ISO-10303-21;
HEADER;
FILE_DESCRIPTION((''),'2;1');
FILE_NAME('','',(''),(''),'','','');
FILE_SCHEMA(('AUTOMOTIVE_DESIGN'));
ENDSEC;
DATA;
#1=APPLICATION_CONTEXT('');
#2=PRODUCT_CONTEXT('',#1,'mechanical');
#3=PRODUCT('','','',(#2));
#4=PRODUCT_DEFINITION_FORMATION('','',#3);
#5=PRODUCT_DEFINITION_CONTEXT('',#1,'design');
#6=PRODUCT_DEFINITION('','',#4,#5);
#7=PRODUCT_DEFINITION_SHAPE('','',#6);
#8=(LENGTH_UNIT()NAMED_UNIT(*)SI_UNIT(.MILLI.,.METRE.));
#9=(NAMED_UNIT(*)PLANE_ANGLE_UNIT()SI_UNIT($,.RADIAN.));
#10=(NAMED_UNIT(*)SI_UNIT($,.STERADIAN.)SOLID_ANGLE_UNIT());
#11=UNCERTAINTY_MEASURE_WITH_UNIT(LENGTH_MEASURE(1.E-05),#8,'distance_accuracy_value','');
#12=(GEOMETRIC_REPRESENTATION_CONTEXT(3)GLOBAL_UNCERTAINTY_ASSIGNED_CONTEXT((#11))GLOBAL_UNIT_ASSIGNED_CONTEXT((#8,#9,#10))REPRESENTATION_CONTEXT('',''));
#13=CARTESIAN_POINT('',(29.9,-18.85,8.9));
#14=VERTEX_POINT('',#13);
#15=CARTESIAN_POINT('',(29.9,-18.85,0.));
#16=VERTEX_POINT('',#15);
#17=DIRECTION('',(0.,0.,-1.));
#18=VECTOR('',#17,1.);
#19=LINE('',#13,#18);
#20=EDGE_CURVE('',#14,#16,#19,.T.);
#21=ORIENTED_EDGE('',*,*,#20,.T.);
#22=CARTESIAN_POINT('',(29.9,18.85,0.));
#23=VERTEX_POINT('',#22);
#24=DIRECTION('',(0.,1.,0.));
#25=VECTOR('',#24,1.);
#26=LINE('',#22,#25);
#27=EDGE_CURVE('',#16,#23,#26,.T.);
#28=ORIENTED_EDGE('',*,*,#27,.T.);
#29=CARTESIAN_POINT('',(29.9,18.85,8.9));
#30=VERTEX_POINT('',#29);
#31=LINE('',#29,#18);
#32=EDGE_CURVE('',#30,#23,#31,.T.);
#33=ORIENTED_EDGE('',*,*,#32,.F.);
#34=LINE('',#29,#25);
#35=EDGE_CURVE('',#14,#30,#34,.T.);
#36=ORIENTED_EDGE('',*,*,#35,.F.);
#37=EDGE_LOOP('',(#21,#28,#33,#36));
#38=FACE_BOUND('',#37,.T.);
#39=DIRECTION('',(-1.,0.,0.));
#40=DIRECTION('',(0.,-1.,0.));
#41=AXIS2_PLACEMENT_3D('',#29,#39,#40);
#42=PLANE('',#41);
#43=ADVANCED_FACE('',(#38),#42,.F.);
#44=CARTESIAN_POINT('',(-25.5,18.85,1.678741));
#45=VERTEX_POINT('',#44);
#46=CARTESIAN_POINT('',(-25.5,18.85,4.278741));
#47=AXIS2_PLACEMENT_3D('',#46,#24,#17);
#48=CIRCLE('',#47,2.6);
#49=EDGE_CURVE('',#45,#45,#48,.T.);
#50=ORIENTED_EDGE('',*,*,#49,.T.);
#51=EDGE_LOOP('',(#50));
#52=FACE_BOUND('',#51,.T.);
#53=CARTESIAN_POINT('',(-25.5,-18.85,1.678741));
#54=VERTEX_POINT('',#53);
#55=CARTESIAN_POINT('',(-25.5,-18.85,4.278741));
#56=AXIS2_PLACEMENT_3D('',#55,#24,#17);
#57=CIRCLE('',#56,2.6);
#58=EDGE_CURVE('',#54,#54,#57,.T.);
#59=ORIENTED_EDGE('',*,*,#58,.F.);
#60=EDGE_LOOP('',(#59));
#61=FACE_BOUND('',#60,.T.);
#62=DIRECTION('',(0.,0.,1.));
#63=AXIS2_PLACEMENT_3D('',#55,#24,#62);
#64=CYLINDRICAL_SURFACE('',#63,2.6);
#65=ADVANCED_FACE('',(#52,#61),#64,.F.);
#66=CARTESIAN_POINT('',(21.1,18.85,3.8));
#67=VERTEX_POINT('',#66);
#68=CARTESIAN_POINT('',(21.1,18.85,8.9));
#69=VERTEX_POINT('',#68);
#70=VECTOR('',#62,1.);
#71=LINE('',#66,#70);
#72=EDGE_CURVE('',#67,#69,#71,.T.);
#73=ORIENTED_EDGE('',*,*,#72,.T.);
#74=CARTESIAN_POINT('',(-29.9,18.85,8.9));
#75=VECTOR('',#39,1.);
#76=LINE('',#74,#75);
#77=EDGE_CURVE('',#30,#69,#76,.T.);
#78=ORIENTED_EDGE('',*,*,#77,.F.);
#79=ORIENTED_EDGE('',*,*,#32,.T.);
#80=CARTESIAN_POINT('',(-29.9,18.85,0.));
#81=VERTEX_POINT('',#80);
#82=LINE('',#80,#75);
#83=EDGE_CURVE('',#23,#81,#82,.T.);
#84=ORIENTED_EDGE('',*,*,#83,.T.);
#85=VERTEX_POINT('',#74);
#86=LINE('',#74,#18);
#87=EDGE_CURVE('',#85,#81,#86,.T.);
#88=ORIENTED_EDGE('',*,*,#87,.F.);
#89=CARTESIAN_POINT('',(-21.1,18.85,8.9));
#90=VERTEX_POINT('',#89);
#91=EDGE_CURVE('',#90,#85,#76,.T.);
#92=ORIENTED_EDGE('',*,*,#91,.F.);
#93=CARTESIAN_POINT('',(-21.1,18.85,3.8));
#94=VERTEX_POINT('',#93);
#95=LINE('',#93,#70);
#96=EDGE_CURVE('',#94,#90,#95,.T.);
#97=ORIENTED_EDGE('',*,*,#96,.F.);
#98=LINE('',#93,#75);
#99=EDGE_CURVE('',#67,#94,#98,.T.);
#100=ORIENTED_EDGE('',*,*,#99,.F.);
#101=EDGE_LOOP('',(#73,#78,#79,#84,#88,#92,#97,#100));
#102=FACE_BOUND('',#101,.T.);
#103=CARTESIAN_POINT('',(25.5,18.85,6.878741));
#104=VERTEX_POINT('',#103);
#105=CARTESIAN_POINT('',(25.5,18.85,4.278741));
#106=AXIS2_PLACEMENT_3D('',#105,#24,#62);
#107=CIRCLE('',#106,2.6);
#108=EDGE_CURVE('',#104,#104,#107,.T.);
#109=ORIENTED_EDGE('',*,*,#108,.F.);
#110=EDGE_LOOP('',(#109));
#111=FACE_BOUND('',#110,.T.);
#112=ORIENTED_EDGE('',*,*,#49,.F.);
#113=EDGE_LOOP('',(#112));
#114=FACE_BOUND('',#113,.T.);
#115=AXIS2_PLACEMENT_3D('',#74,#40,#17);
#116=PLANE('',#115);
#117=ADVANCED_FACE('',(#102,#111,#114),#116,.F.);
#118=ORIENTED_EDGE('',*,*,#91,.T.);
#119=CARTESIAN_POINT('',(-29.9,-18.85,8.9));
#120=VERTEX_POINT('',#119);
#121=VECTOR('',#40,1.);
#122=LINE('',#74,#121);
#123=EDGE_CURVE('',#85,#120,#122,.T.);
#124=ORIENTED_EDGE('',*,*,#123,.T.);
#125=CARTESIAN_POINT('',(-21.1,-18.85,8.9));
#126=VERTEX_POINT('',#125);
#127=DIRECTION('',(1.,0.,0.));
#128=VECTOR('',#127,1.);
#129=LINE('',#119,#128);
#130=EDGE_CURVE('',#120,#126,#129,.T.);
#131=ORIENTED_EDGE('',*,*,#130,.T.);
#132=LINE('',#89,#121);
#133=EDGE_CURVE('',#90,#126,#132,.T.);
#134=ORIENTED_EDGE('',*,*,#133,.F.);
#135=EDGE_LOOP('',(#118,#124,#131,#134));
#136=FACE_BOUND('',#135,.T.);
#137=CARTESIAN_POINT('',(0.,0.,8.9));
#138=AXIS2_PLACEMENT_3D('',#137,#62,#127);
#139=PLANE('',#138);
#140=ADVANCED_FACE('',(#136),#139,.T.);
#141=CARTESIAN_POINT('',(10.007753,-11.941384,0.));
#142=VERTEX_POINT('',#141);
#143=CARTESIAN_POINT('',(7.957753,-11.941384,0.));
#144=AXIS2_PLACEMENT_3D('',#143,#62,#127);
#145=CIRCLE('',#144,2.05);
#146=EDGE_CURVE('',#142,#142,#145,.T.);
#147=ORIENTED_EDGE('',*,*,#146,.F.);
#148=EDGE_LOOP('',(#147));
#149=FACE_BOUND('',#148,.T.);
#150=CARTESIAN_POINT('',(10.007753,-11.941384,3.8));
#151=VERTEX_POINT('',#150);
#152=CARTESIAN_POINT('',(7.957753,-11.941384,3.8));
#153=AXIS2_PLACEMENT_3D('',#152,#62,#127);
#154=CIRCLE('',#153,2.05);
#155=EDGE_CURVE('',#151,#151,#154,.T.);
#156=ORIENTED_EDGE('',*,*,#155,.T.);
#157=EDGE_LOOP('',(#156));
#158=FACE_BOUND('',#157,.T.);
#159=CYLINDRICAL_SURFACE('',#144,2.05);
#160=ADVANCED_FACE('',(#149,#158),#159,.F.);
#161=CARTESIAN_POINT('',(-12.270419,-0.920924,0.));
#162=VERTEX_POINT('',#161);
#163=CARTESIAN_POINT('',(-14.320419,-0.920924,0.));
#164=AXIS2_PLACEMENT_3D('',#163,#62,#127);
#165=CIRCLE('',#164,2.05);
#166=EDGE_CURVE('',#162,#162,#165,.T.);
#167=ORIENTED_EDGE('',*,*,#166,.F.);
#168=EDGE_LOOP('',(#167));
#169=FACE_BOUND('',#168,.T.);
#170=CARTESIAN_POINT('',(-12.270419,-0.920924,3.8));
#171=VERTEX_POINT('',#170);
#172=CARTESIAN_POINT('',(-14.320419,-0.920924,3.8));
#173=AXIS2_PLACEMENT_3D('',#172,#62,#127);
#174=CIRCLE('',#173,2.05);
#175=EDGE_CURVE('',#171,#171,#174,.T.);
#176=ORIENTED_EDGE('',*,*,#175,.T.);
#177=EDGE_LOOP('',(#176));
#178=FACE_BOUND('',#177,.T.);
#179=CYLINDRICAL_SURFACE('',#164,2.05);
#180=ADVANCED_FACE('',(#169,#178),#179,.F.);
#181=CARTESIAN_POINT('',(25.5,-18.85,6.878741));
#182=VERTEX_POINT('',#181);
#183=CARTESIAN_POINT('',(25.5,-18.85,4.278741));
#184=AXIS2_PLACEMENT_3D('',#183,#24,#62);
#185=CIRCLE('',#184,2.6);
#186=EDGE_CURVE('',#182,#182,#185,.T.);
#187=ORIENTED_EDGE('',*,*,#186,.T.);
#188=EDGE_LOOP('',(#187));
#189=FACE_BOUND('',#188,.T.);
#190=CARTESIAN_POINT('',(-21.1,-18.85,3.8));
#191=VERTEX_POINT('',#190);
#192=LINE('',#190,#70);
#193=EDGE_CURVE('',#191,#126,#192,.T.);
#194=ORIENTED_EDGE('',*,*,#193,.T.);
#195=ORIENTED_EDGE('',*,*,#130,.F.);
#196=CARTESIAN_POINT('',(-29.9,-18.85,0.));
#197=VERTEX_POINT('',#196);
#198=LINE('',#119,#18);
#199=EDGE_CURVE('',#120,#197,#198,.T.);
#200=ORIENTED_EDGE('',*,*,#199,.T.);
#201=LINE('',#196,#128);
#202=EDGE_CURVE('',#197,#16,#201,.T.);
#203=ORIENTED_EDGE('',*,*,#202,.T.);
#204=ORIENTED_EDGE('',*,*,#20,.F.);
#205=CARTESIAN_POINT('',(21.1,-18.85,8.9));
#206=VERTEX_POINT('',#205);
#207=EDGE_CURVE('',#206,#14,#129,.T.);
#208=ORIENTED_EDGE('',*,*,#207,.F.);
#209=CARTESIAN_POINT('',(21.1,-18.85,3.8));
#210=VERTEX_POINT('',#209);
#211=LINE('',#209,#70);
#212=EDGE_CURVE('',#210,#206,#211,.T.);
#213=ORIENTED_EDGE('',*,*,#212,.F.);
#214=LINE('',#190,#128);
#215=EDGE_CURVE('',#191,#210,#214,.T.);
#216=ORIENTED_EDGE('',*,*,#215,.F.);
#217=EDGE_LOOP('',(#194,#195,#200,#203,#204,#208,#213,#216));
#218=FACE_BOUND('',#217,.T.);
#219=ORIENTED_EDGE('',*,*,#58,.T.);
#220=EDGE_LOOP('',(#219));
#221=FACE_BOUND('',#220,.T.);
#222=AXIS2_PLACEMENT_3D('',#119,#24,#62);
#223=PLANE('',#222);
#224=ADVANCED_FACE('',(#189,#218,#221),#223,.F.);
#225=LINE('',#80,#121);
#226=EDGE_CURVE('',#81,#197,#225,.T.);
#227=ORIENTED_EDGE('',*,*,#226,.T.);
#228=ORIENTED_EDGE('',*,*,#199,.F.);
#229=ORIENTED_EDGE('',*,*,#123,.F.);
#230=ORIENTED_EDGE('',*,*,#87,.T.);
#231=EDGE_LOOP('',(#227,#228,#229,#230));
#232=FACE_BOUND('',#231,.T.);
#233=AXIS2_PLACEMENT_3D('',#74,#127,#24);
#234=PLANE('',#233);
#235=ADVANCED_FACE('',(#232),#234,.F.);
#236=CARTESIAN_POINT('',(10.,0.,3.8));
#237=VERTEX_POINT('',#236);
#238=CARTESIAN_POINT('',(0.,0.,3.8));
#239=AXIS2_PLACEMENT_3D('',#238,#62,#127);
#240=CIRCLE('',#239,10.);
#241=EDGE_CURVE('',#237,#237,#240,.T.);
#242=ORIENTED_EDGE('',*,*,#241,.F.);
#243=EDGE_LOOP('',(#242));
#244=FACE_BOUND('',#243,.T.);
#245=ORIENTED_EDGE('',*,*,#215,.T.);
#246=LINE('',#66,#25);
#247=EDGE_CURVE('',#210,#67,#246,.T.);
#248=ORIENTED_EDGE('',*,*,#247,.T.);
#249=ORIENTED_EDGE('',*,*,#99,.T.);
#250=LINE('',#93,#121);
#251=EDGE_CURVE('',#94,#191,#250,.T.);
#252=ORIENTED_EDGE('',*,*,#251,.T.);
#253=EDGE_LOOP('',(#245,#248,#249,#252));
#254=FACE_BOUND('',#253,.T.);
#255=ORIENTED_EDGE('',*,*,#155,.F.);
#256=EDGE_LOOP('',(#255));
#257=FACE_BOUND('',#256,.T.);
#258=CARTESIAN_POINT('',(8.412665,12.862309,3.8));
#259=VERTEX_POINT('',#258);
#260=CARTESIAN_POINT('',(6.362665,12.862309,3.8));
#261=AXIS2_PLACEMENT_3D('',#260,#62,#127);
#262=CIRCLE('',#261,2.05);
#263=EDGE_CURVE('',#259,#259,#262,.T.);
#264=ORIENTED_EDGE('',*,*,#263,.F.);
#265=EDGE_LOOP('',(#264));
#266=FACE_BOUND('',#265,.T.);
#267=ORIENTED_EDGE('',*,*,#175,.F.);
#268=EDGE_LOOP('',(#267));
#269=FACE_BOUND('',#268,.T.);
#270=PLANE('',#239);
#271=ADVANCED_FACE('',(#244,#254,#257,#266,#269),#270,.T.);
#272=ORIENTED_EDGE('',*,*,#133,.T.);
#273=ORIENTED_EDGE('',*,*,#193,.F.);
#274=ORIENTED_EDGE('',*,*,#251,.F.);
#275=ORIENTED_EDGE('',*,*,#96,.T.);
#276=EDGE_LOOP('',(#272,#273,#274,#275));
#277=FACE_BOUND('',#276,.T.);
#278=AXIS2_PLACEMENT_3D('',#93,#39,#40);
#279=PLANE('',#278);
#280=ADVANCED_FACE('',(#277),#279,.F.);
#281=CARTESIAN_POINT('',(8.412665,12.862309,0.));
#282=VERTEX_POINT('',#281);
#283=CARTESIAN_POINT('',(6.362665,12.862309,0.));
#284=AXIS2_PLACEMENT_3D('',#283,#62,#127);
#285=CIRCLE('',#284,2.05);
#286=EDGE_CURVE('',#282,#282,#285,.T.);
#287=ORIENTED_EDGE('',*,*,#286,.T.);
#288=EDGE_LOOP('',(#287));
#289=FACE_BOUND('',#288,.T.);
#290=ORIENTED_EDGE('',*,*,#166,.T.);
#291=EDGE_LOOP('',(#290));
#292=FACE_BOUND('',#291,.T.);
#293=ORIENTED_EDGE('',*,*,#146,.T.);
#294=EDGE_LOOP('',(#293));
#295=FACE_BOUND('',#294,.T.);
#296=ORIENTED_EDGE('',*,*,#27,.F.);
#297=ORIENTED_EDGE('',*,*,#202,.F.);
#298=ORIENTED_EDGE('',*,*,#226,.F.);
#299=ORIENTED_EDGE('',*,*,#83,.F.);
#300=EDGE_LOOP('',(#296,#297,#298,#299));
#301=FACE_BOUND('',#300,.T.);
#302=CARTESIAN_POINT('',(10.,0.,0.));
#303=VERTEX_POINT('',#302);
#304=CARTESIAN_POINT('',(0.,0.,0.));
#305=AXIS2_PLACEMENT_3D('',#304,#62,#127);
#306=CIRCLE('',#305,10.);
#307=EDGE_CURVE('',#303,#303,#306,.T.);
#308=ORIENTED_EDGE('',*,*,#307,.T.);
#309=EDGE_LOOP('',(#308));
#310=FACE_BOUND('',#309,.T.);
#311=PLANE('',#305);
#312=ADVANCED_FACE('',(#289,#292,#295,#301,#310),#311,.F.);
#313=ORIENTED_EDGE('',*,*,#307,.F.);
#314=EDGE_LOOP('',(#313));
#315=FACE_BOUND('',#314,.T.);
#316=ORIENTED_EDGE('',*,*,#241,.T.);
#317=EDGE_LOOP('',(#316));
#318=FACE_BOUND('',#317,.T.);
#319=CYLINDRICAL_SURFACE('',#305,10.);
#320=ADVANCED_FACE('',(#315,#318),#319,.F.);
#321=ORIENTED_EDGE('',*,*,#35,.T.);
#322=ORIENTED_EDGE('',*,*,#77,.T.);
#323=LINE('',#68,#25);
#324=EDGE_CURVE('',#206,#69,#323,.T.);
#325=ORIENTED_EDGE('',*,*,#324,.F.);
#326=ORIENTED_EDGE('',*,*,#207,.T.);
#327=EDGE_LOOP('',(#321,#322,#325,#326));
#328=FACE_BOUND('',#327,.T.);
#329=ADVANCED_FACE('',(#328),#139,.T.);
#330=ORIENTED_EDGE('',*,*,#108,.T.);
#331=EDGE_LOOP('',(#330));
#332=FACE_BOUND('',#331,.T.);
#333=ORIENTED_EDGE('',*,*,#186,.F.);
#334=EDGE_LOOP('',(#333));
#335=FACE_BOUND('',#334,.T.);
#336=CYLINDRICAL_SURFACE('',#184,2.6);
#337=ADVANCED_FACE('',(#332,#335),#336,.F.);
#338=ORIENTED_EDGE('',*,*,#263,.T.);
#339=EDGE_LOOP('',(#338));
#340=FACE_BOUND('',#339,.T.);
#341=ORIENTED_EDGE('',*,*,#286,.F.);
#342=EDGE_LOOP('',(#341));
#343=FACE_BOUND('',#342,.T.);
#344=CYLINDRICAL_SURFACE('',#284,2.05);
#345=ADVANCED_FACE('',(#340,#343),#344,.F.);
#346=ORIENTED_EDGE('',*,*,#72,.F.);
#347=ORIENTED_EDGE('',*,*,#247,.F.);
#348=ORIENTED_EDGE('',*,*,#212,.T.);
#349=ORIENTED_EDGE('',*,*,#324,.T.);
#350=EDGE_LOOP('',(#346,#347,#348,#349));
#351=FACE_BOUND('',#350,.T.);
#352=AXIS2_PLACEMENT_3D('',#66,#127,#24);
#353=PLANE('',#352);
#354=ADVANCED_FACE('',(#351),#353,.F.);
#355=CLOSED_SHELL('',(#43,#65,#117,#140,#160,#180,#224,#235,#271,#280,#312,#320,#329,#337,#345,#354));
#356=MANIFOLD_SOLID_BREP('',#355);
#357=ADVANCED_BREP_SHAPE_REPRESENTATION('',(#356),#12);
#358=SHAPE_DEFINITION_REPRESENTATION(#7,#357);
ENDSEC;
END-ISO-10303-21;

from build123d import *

# Parameters (mm, degrees)
SKETCH1_W           = 59.8
SKETCH1_H           = 37.7
BOSS_EXTRUDE1_DEPTH = 8.9
SKETCH2_W           = 42.2
SKETCH2_H           = 37.7
CUT_EXTRUDE1_DEPTH  = 5.1
SKETCH3_R           = 2.6
CUT_EXTRUDE2_DEPTH  = 49.933730698
SKETCH4_R           = 10
SKETCH4_R_2         = 2.05
CUT_EXTRUDE3_DEPTH  = 36.71193778


with BuildPart() as part:
    # Sketch1 → Boss-Extrude1 (new body)
    with BuildSketch(Plane.XY):
        Rectangle(SKETCH1_W, SKETCH1_H)
    extrude(amount=BOSS_EXTRUDE1_DEPTH)

    # Sketch2 → Cut-Extrude1 (cut)
    with BuildSketch(Plane.XY.offset(8.9)):
        Rectangle(SKETCH2_W, SKETCH2_H)
    extrude(amount=-CUT_EXTRUDE1_DEPTH, mode=Mode.SUBTRACT)

    # Sketch3 → Cut-Extrude2 (cut, through all)
    with BuildSketch(Plane(origin=(0, 18.85, 0), x_dir=(1, 0, 0), z_dir=(0, 1, 0))):
        with Locations(Location((25.5, -4.278740656, 0), (0, 0, 270))):
            Circle(SKETCH3_R)
        with Locations(Location((-25.5, -4.278740656, 0), (0, 0, 90))):
            Circle(SKETCH3_R)
    extrude(amount=-CUT_EXTRUDE2_DEPTH, mode=Mode.SUBTRACT)

    # Sketch4 → Cut-Extrude3 (cut, through all)
    with BuildSketch(Plane.XY.offset(3.8)):
        Circle(SKETCH4_R)
        with Locations((7.957753458, -11.941384338)):
            Circle(SKETCH4_R_2)
        with Locations((-14.320418922, -0.920924483)):
            Circle(SKETCH4_R_2)
        with Locations((6.362665464, 12.862308821)):
            Circle(SKETCH4_R_2)
    extrude(amount=-CUT_EXTRUDE3_DEPTH, mode=Mode.SUBTRACT)


solid = part.part
